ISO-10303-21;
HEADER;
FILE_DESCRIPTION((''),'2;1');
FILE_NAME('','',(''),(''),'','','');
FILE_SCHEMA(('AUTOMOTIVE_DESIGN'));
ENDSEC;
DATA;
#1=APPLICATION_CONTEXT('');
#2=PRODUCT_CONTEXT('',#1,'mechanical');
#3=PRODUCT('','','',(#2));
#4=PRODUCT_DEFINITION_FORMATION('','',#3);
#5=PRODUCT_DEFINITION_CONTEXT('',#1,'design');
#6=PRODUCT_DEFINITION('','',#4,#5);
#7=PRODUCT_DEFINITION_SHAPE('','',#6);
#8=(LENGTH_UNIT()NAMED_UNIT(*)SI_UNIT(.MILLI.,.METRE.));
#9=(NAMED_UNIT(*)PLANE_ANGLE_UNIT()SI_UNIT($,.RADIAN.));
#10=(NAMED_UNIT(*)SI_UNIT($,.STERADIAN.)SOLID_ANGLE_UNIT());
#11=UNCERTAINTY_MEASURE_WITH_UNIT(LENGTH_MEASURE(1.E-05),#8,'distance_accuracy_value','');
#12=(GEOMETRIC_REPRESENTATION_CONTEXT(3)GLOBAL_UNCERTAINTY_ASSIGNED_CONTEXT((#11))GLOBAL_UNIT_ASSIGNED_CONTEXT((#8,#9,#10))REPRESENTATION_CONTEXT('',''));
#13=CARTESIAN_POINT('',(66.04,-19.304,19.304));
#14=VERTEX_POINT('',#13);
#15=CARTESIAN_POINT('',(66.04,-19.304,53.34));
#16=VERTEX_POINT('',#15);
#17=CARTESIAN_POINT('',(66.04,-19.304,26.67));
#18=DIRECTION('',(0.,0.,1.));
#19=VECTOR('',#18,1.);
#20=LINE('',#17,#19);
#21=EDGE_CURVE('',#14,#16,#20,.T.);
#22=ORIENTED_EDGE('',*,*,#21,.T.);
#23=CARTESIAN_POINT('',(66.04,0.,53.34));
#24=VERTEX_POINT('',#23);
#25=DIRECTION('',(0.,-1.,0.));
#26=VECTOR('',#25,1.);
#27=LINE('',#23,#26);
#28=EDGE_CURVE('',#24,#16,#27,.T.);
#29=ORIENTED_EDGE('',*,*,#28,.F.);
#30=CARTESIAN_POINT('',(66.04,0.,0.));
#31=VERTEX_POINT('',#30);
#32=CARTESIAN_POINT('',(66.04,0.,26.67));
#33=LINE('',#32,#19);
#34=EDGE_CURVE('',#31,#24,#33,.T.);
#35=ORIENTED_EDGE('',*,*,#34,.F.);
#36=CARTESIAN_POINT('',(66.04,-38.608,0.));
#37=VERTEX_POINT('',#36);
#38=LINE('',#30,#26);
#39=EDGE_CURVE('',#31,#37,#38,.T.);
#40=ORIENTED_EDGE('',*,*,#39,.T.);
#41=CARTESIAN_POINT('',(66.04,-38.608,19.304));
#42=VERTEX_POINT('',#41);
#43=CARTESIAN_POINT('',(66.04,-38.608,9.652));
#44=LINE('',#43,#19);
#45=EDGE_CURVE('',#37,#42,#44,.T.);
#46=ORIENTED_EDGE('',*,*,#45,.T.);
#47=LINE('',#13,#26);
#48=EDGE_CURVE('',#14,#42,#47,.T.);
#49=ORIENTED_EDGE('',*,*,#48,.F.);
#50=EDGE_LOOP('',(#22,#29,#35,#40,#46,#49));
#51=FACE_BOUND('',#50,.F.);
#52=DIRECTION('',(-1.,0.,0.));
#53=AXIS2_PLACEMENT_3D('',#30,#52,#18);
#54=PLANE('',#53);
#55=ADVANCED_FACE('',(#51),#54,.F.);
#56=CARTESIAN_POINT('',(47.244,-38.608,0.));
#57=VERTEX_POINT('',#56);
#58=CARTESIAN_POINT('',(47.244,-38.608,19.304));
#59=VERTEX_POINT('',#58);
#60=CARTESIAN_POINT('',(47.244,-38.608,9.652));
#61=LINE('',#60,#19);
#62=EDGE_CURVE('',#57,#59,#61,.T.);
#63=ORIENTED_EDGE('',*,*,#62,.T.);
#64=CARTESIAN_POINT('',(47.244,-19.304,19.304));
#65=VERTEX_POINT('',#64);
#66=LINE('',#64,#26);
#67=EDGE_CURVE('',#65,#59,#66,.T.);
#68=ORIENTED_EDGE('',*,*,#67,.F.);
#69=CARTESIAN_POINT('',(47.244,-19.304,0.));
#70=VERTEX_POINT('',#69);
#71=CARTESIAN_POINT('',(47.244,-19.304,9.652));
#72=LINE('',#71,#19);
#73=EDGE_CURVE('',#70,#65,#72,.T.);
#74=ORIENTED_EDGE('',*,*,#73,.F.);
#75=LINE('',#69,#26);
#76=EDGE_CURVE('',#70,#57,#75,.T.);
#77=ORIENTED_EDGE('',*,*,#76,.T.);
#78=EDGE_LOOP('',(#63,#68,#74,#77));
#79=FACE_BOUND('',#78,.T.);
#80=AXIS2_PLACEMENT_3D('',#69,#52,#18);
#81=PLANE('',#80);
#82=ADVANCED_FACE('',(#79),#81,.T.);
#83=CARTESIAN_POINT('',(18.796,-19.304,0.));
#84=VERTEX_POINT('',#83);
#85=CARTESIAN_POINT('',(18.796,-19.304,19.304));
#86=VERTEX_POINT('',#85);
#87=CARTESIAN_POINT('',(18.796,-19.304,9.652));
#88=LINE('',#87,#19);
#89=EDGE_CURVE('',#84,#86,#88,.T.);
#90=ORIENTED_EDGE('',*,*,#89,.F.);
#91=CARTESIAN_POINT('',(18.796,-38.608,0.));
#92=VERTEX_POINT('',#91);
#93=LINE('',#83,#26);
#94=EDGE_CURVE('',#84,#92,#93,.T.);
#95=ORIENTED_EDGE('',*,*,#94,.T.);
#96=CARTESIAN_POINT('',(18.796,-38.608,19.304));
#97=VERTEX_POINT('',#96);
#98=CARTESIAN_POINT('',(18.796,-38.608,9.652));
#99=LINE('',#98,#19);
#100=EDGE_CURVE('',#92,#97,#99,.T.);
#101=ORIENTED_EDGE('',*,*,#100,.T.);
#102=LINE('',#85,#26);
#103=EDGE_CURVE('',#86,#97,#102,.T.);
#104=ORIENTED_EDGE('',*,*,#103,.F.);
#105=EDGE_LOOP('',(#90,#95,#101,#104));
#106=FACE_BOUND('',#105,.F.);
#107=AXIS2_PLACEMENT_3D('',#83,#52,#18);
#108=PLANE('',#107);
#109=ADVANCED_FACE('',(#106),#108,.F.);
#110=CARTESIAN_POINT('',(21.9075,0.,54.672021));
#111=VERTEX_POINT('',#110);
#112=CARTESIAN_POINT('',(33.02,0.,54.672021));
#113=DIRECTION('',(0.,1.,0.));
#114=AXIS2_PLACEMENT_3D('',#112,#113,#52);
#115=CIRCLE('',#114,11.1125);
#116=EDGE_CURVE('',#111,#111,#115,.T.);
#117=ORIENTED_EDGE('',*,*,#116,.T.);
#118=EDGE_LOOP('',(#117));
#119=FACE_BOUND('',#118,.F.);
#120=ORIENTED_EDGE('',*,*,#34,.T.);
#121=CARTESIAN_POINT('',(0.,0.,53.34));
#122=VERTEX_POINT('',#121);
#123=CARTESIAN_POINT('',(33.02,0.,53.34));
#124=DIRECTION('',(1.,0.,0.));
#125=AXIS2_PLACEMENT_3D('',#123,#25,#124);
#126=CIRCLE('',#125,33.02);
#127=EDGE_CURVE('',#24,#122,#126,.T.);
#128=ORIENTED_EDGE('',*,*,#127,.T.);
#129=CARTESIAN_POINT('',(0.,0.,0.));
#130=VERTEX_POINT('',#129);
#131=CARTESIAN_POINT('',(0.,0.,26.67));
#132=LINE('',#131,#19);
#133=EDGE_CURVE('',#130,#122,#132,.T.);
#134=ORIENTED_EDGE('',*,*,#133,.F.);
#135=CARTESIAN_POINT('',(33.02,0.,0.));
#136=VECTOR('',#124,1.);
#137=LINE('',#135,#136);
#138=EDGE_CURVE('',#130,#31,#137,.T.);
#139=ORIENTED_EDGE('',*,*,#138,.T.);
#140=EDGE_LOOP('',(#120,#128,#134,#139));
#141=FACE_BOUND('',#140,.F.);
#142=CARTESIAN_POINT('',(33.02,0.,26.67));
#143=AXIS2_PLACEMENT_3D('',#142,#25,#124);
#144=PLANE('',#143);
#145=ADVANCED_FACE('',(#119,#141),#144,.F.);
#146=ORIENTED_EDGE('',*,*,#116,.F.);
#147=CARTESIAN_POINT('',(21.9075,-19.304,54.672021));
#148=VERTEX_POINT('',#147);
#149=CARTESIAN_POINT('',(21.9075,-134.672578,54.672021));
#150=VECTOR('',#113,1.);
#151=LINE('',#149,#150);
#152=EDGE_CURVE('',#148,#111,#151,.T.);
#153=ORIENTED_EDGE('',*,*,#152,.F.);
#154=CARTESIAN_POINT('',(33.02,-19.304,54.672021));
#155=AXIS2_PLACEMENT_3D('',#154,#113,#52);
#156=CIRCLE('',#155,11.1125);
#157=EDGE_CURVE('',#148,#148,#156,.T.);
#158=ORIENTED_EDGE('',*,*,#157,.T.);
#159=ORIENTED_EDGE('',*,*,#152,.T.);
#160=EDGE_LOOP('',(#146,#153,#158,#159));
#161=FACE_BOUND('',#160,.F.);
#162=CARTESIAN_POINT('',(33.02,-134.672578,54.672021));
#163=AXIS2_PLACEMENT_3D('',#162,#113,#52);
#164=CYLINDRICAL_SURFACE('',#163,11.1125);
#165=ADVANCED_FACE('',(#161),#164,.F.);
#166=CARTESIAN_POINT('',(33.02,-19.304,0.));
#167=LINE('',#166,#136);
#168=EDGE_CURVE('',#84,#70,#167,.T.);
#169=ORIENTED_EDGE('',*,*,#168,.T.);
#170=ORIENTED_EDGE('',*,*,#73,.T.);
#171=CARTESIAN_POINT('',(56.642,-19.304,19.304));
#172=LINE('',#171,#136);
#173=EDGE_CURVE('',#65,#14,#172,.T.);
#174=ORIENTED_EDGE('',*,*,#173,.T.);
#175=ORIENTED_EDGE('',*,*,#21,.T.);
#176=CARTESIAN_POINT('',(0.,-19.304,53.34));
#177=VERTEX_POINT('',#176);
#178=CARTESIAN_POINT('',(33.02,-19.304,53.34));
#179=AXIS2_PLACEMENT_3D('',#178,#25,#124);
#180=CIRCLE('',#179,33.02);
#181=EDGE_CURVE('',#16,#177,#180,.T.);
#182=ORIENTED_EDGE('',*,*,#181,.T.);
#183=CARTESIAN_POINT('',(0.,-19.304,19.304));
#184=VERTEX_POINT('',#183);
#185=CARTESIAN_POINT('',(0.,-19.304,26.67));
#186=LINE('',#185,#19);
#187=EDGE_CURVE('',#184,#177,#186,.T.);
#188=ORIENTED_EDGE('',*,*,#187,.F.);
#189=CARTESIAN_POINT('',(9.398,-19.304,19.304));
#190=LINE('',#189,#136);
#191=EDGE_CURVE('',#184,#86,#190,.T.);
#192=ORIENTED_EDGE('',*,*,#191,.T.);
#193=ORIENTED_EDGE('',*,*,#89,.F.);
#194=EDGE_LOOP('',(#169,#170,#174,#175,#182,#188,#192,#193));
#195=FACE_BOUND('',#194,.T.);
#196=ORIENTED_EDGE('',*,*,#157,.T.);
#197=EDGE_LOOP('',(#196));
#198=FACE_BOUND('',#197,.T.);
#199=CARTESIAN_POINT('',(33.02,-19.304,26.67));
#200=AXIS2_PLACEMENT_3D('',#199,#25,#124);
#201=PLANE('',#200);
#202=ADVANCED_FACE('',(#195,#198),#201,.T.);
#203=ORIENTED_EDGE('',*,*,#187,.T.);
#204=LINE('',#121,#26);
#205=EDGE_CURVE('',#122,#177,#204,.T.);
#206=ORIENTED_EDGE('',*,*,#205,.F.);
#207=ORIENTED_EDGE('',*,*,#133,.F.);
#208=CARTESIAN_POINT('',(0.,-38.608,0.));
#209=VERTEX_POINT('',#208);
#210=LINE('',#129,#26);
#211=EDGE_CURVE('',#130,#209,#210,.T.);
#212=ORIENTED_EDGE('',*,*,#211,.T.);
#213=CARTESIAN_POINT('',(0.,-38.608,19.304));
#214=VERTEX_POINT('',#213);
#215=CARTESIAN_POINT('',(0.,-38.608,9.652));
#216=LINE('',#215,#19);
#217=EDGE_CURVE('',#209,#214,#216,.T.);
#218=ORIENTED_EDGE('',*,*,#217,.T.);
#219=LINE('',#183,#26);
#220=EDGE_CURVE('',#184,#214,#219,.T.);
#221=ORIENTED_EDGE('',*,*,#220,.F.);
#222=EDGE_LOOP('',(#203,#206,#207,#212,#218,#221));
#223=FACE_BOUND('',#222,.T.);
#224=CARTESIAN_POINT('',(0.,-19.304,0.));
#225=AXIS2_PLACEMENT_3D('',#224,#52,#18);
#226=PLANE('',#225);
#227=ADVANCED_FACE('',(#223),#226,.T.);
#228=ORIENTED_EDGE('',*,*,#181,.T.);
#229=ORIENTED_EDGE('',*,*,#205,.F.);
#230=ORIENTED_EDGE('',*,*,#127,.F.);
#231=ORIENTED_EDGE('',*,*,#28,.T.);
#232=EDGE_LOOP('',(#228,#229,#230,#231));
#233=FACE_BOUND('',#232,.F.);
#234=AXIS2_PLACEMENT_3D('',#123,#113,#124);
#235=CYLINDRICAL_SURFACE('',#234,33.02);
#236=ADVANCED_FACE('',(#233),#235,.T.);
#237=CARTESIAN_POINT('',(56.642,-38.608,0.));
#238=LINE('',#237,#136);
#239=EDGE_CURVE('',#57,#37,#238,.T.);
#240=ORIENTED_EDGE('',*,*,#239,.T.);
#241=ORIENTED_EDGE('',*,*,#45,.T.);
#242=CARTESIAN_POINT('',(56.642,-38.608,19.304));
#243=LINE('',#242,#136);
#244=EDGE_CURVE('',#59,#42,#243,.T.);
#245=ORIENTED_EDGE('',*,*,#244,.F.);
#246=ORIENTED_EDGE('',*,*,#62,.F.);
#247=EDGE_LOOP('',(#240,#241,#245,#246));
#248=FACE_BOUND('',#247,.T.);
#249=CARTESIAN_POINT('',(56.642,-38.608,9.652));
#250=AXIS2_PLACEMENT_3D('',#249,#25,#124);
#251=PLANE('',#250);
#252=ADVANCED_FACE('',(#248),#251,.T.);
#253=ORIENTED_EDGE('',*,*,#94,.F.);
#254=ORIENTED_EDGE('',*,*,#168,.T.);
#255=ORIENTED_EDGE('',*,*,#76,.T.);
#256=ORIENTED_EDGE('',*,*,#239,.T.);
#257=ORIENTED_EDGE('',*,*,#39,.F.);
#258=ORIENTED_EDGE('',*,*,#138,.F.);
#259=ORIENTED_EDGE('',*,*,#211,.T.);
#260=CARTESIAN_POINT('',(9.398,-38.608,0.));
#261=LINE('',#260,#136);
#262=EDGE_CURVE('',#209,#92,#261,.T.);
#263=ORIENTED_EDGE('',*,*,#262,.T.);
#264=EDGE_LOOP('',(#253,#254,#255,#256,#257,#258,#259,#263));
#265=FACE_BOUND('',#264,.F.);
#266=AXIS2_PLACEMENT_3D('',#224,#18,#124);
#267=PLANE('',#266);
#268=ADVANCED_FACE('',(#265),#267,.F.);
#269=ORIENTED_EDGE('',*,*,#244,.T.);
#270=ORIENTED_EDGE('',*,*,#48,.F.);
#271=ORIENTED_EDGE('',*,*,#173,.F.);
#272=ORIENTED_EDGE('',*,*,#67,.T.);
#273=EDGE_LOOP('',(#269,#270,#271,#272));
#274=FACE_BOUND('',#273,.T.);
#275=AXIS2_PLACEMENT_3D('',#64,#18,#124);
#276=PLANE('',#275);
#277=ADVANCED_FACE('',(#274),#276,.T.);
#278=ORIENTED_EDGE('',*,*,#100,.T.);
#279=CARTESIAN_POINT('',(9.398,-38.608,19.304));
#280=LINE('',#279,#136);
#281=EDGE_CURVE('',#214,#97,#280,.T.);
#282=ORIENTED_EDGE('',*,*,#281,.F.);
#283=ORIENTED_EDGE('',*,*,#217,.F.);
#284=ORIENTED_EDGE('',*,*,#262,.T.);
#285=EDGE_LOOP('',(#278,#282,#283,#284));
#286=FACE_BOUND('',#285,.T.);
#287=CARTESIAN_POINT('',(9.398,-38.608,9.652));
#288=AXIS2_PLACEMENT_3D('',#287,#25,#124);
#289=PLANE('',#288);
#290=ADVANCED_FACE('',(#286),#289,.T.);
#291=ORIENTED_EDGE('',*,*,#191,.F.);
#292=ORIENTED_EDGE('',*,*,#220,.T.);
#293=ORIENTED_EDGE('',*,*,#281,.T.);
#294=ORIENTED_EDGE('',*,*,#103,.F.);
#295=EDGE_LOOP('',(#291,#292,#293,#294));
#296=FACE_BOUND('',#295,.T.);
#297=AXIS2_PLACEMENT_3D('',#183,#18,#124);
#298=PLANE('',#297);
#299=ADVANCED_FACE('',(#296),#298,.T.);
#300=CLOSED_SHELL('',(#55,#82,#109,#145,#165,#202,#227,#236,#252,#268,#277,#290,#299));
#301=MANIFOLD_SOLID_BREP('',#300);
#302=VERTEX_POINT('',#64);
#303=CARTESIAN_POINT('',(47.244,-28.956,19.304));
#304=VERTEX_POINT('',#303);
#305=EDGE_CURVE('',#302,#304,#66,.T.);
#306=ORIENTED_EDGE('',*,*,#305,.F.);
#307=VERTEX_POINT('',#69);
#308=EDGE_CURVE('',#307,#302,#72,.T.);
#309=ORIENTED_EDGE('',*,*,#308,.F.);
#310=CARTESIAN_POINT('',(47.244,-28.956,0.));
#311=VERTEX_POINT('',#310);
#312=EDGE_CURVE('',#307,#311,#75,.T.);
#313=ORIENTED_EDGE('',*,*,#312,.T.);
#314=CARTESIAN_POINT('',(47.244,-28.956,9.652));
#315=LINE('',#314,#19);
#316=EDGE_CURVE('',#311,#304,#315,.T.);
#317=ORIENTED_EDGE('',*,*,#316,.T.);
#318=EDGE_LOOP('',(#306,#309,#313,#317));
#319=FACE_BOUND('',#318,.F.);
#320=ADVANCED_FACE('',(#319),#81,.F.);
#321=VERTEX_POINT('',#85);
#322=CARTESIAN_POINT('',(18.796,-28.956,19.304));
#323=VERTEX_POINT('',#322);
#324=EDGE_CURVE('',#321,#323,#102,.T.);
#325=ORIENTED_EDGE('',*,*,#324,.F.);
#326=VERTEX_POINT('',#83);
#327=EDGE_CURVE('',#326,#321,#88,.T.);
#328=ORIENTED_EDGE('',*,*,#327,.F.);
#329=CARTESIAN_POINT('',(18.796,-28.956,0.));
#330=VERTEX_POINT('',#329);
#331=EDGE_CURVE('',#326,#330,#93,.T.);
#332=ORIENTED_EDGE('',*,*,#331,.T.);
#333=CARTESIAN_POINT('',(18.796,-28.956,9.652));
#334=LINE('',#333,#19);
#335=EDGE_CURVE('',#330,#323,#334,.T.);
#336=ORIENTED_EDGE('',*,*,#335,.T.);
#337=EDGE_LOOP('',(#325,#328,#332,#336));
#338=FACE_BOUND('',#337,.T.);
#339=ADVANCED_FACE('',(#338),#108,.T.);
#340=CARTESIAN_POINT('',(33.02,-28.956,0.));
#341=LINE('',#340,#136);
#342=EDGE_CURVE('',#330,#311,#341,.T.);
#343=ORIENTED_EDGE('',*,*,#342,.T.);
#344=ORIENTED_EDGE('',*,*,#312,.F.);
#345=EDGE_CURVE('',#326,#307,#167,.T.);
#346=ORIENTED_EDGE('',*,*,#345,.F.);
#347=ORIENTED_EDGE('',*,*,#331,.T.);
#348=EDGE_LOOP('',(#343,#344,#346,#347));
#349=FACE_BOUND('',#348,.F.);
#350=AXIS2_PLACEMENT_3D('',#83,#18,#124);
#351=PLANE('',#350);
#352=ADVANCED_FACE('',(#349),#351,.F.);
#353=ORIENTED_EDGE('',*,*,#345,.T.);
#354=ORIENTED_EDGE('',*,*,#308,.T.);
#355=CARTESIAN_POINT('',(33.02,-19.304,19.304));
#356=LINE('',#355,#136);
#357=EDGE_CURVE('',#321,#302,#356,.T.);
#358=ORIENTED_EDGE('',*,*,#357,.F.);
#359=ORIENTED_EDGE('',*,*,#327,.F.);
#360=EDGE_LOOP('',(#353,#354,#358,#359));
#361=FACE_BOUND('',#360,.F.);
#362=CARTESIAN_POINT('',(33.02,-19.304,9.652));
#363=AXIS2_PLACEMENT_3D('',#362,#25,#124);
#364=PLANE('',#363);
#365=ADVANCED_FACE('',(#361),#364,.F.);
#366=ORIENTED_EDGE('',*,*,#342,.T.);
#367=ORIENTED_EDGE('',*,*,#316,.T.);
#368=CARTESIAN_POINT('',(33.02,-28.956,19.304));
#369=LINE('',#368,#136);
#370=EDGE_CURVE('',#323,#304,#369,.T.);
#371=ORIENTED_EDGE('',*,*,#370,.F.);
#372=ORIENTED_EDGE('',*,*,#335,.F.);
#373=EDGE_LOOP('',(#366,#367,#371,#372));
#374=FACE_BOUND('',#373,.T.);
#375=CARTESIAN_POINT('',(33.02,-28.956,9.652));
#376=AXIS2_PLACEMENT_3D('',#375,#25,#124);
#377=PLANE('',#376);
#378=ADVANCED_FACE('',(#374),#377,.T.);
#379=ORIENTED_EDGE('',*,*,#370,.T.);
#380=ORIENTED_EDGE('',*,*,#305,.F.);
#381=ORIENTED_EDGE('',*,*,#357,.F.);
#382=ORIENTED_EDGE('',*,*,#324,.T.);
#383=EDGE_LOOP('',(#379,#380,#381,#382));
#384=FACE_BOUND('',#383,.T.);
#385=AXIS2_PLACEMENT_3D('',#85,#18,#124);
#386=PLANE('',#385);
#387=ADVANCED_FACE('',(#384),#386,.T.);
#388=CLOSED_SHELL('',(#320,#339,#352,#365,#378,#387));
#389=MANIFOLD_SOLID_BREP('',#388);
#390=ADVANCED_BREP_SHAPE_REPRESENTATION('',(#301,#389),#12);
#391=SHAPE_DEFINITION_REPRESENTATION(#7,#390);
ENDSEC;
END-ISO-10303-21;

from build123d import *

# Parameters (mm, degrees)
F0_W     = 66.04
F0_H     = 53.34
F1_DEPTH = 19.304
F2_W     = 18.796
F2_H     = 19.304
F3_DEPTH = 19.304
F2_W_2   = 28.448
F4_DEPTH = 9.652
F6_D     = 22.225


with BuildPart() as f1:
    # F0 (on Front) → F1 (new body)
    with BuildSketch(Plane.XZ):
        with Locations((33.02, 26.67)):
            Rectangle(F0_W, F0_H)
        with BuildLine():
            ThreePointArc((66.04, 53.34), (33.02, 86.36), (0, 53.34))
            Line((0, 53.34), (66.04, 53.34))
        make_face()
    extrude(amount=F1_DEPTH)

    # F2 (on face) → F3 (join)
    with BuildSketch(Plane.XZ.offset(19.304)):
        with Locations((9.398, 9.652)):
            Rectangle(F2_W, F2_H)
        with Locations((56.642, 9.652)):
            Rectangle(F2_W, F2_H)
    extrude(amount=F3_DEPTH)

    # F6 (through all)
    with Locations(Plane.XZ.offset(19.304)):
        with Locations((33.02, 54.672021)):
            Hole(F6_D / 2)


with BuildPart() as f4:
    # F2 (on face) → F4 (new body)
    with BuildSketch(Plane.XZ.offset(19.304)):
        with Locations((33.02, 9.652)):
            Rectangle(F2_W_2, F2_H)
    extrude(amount=F4_DEPTH)


solid = Compound([f1.part, f4.part])
